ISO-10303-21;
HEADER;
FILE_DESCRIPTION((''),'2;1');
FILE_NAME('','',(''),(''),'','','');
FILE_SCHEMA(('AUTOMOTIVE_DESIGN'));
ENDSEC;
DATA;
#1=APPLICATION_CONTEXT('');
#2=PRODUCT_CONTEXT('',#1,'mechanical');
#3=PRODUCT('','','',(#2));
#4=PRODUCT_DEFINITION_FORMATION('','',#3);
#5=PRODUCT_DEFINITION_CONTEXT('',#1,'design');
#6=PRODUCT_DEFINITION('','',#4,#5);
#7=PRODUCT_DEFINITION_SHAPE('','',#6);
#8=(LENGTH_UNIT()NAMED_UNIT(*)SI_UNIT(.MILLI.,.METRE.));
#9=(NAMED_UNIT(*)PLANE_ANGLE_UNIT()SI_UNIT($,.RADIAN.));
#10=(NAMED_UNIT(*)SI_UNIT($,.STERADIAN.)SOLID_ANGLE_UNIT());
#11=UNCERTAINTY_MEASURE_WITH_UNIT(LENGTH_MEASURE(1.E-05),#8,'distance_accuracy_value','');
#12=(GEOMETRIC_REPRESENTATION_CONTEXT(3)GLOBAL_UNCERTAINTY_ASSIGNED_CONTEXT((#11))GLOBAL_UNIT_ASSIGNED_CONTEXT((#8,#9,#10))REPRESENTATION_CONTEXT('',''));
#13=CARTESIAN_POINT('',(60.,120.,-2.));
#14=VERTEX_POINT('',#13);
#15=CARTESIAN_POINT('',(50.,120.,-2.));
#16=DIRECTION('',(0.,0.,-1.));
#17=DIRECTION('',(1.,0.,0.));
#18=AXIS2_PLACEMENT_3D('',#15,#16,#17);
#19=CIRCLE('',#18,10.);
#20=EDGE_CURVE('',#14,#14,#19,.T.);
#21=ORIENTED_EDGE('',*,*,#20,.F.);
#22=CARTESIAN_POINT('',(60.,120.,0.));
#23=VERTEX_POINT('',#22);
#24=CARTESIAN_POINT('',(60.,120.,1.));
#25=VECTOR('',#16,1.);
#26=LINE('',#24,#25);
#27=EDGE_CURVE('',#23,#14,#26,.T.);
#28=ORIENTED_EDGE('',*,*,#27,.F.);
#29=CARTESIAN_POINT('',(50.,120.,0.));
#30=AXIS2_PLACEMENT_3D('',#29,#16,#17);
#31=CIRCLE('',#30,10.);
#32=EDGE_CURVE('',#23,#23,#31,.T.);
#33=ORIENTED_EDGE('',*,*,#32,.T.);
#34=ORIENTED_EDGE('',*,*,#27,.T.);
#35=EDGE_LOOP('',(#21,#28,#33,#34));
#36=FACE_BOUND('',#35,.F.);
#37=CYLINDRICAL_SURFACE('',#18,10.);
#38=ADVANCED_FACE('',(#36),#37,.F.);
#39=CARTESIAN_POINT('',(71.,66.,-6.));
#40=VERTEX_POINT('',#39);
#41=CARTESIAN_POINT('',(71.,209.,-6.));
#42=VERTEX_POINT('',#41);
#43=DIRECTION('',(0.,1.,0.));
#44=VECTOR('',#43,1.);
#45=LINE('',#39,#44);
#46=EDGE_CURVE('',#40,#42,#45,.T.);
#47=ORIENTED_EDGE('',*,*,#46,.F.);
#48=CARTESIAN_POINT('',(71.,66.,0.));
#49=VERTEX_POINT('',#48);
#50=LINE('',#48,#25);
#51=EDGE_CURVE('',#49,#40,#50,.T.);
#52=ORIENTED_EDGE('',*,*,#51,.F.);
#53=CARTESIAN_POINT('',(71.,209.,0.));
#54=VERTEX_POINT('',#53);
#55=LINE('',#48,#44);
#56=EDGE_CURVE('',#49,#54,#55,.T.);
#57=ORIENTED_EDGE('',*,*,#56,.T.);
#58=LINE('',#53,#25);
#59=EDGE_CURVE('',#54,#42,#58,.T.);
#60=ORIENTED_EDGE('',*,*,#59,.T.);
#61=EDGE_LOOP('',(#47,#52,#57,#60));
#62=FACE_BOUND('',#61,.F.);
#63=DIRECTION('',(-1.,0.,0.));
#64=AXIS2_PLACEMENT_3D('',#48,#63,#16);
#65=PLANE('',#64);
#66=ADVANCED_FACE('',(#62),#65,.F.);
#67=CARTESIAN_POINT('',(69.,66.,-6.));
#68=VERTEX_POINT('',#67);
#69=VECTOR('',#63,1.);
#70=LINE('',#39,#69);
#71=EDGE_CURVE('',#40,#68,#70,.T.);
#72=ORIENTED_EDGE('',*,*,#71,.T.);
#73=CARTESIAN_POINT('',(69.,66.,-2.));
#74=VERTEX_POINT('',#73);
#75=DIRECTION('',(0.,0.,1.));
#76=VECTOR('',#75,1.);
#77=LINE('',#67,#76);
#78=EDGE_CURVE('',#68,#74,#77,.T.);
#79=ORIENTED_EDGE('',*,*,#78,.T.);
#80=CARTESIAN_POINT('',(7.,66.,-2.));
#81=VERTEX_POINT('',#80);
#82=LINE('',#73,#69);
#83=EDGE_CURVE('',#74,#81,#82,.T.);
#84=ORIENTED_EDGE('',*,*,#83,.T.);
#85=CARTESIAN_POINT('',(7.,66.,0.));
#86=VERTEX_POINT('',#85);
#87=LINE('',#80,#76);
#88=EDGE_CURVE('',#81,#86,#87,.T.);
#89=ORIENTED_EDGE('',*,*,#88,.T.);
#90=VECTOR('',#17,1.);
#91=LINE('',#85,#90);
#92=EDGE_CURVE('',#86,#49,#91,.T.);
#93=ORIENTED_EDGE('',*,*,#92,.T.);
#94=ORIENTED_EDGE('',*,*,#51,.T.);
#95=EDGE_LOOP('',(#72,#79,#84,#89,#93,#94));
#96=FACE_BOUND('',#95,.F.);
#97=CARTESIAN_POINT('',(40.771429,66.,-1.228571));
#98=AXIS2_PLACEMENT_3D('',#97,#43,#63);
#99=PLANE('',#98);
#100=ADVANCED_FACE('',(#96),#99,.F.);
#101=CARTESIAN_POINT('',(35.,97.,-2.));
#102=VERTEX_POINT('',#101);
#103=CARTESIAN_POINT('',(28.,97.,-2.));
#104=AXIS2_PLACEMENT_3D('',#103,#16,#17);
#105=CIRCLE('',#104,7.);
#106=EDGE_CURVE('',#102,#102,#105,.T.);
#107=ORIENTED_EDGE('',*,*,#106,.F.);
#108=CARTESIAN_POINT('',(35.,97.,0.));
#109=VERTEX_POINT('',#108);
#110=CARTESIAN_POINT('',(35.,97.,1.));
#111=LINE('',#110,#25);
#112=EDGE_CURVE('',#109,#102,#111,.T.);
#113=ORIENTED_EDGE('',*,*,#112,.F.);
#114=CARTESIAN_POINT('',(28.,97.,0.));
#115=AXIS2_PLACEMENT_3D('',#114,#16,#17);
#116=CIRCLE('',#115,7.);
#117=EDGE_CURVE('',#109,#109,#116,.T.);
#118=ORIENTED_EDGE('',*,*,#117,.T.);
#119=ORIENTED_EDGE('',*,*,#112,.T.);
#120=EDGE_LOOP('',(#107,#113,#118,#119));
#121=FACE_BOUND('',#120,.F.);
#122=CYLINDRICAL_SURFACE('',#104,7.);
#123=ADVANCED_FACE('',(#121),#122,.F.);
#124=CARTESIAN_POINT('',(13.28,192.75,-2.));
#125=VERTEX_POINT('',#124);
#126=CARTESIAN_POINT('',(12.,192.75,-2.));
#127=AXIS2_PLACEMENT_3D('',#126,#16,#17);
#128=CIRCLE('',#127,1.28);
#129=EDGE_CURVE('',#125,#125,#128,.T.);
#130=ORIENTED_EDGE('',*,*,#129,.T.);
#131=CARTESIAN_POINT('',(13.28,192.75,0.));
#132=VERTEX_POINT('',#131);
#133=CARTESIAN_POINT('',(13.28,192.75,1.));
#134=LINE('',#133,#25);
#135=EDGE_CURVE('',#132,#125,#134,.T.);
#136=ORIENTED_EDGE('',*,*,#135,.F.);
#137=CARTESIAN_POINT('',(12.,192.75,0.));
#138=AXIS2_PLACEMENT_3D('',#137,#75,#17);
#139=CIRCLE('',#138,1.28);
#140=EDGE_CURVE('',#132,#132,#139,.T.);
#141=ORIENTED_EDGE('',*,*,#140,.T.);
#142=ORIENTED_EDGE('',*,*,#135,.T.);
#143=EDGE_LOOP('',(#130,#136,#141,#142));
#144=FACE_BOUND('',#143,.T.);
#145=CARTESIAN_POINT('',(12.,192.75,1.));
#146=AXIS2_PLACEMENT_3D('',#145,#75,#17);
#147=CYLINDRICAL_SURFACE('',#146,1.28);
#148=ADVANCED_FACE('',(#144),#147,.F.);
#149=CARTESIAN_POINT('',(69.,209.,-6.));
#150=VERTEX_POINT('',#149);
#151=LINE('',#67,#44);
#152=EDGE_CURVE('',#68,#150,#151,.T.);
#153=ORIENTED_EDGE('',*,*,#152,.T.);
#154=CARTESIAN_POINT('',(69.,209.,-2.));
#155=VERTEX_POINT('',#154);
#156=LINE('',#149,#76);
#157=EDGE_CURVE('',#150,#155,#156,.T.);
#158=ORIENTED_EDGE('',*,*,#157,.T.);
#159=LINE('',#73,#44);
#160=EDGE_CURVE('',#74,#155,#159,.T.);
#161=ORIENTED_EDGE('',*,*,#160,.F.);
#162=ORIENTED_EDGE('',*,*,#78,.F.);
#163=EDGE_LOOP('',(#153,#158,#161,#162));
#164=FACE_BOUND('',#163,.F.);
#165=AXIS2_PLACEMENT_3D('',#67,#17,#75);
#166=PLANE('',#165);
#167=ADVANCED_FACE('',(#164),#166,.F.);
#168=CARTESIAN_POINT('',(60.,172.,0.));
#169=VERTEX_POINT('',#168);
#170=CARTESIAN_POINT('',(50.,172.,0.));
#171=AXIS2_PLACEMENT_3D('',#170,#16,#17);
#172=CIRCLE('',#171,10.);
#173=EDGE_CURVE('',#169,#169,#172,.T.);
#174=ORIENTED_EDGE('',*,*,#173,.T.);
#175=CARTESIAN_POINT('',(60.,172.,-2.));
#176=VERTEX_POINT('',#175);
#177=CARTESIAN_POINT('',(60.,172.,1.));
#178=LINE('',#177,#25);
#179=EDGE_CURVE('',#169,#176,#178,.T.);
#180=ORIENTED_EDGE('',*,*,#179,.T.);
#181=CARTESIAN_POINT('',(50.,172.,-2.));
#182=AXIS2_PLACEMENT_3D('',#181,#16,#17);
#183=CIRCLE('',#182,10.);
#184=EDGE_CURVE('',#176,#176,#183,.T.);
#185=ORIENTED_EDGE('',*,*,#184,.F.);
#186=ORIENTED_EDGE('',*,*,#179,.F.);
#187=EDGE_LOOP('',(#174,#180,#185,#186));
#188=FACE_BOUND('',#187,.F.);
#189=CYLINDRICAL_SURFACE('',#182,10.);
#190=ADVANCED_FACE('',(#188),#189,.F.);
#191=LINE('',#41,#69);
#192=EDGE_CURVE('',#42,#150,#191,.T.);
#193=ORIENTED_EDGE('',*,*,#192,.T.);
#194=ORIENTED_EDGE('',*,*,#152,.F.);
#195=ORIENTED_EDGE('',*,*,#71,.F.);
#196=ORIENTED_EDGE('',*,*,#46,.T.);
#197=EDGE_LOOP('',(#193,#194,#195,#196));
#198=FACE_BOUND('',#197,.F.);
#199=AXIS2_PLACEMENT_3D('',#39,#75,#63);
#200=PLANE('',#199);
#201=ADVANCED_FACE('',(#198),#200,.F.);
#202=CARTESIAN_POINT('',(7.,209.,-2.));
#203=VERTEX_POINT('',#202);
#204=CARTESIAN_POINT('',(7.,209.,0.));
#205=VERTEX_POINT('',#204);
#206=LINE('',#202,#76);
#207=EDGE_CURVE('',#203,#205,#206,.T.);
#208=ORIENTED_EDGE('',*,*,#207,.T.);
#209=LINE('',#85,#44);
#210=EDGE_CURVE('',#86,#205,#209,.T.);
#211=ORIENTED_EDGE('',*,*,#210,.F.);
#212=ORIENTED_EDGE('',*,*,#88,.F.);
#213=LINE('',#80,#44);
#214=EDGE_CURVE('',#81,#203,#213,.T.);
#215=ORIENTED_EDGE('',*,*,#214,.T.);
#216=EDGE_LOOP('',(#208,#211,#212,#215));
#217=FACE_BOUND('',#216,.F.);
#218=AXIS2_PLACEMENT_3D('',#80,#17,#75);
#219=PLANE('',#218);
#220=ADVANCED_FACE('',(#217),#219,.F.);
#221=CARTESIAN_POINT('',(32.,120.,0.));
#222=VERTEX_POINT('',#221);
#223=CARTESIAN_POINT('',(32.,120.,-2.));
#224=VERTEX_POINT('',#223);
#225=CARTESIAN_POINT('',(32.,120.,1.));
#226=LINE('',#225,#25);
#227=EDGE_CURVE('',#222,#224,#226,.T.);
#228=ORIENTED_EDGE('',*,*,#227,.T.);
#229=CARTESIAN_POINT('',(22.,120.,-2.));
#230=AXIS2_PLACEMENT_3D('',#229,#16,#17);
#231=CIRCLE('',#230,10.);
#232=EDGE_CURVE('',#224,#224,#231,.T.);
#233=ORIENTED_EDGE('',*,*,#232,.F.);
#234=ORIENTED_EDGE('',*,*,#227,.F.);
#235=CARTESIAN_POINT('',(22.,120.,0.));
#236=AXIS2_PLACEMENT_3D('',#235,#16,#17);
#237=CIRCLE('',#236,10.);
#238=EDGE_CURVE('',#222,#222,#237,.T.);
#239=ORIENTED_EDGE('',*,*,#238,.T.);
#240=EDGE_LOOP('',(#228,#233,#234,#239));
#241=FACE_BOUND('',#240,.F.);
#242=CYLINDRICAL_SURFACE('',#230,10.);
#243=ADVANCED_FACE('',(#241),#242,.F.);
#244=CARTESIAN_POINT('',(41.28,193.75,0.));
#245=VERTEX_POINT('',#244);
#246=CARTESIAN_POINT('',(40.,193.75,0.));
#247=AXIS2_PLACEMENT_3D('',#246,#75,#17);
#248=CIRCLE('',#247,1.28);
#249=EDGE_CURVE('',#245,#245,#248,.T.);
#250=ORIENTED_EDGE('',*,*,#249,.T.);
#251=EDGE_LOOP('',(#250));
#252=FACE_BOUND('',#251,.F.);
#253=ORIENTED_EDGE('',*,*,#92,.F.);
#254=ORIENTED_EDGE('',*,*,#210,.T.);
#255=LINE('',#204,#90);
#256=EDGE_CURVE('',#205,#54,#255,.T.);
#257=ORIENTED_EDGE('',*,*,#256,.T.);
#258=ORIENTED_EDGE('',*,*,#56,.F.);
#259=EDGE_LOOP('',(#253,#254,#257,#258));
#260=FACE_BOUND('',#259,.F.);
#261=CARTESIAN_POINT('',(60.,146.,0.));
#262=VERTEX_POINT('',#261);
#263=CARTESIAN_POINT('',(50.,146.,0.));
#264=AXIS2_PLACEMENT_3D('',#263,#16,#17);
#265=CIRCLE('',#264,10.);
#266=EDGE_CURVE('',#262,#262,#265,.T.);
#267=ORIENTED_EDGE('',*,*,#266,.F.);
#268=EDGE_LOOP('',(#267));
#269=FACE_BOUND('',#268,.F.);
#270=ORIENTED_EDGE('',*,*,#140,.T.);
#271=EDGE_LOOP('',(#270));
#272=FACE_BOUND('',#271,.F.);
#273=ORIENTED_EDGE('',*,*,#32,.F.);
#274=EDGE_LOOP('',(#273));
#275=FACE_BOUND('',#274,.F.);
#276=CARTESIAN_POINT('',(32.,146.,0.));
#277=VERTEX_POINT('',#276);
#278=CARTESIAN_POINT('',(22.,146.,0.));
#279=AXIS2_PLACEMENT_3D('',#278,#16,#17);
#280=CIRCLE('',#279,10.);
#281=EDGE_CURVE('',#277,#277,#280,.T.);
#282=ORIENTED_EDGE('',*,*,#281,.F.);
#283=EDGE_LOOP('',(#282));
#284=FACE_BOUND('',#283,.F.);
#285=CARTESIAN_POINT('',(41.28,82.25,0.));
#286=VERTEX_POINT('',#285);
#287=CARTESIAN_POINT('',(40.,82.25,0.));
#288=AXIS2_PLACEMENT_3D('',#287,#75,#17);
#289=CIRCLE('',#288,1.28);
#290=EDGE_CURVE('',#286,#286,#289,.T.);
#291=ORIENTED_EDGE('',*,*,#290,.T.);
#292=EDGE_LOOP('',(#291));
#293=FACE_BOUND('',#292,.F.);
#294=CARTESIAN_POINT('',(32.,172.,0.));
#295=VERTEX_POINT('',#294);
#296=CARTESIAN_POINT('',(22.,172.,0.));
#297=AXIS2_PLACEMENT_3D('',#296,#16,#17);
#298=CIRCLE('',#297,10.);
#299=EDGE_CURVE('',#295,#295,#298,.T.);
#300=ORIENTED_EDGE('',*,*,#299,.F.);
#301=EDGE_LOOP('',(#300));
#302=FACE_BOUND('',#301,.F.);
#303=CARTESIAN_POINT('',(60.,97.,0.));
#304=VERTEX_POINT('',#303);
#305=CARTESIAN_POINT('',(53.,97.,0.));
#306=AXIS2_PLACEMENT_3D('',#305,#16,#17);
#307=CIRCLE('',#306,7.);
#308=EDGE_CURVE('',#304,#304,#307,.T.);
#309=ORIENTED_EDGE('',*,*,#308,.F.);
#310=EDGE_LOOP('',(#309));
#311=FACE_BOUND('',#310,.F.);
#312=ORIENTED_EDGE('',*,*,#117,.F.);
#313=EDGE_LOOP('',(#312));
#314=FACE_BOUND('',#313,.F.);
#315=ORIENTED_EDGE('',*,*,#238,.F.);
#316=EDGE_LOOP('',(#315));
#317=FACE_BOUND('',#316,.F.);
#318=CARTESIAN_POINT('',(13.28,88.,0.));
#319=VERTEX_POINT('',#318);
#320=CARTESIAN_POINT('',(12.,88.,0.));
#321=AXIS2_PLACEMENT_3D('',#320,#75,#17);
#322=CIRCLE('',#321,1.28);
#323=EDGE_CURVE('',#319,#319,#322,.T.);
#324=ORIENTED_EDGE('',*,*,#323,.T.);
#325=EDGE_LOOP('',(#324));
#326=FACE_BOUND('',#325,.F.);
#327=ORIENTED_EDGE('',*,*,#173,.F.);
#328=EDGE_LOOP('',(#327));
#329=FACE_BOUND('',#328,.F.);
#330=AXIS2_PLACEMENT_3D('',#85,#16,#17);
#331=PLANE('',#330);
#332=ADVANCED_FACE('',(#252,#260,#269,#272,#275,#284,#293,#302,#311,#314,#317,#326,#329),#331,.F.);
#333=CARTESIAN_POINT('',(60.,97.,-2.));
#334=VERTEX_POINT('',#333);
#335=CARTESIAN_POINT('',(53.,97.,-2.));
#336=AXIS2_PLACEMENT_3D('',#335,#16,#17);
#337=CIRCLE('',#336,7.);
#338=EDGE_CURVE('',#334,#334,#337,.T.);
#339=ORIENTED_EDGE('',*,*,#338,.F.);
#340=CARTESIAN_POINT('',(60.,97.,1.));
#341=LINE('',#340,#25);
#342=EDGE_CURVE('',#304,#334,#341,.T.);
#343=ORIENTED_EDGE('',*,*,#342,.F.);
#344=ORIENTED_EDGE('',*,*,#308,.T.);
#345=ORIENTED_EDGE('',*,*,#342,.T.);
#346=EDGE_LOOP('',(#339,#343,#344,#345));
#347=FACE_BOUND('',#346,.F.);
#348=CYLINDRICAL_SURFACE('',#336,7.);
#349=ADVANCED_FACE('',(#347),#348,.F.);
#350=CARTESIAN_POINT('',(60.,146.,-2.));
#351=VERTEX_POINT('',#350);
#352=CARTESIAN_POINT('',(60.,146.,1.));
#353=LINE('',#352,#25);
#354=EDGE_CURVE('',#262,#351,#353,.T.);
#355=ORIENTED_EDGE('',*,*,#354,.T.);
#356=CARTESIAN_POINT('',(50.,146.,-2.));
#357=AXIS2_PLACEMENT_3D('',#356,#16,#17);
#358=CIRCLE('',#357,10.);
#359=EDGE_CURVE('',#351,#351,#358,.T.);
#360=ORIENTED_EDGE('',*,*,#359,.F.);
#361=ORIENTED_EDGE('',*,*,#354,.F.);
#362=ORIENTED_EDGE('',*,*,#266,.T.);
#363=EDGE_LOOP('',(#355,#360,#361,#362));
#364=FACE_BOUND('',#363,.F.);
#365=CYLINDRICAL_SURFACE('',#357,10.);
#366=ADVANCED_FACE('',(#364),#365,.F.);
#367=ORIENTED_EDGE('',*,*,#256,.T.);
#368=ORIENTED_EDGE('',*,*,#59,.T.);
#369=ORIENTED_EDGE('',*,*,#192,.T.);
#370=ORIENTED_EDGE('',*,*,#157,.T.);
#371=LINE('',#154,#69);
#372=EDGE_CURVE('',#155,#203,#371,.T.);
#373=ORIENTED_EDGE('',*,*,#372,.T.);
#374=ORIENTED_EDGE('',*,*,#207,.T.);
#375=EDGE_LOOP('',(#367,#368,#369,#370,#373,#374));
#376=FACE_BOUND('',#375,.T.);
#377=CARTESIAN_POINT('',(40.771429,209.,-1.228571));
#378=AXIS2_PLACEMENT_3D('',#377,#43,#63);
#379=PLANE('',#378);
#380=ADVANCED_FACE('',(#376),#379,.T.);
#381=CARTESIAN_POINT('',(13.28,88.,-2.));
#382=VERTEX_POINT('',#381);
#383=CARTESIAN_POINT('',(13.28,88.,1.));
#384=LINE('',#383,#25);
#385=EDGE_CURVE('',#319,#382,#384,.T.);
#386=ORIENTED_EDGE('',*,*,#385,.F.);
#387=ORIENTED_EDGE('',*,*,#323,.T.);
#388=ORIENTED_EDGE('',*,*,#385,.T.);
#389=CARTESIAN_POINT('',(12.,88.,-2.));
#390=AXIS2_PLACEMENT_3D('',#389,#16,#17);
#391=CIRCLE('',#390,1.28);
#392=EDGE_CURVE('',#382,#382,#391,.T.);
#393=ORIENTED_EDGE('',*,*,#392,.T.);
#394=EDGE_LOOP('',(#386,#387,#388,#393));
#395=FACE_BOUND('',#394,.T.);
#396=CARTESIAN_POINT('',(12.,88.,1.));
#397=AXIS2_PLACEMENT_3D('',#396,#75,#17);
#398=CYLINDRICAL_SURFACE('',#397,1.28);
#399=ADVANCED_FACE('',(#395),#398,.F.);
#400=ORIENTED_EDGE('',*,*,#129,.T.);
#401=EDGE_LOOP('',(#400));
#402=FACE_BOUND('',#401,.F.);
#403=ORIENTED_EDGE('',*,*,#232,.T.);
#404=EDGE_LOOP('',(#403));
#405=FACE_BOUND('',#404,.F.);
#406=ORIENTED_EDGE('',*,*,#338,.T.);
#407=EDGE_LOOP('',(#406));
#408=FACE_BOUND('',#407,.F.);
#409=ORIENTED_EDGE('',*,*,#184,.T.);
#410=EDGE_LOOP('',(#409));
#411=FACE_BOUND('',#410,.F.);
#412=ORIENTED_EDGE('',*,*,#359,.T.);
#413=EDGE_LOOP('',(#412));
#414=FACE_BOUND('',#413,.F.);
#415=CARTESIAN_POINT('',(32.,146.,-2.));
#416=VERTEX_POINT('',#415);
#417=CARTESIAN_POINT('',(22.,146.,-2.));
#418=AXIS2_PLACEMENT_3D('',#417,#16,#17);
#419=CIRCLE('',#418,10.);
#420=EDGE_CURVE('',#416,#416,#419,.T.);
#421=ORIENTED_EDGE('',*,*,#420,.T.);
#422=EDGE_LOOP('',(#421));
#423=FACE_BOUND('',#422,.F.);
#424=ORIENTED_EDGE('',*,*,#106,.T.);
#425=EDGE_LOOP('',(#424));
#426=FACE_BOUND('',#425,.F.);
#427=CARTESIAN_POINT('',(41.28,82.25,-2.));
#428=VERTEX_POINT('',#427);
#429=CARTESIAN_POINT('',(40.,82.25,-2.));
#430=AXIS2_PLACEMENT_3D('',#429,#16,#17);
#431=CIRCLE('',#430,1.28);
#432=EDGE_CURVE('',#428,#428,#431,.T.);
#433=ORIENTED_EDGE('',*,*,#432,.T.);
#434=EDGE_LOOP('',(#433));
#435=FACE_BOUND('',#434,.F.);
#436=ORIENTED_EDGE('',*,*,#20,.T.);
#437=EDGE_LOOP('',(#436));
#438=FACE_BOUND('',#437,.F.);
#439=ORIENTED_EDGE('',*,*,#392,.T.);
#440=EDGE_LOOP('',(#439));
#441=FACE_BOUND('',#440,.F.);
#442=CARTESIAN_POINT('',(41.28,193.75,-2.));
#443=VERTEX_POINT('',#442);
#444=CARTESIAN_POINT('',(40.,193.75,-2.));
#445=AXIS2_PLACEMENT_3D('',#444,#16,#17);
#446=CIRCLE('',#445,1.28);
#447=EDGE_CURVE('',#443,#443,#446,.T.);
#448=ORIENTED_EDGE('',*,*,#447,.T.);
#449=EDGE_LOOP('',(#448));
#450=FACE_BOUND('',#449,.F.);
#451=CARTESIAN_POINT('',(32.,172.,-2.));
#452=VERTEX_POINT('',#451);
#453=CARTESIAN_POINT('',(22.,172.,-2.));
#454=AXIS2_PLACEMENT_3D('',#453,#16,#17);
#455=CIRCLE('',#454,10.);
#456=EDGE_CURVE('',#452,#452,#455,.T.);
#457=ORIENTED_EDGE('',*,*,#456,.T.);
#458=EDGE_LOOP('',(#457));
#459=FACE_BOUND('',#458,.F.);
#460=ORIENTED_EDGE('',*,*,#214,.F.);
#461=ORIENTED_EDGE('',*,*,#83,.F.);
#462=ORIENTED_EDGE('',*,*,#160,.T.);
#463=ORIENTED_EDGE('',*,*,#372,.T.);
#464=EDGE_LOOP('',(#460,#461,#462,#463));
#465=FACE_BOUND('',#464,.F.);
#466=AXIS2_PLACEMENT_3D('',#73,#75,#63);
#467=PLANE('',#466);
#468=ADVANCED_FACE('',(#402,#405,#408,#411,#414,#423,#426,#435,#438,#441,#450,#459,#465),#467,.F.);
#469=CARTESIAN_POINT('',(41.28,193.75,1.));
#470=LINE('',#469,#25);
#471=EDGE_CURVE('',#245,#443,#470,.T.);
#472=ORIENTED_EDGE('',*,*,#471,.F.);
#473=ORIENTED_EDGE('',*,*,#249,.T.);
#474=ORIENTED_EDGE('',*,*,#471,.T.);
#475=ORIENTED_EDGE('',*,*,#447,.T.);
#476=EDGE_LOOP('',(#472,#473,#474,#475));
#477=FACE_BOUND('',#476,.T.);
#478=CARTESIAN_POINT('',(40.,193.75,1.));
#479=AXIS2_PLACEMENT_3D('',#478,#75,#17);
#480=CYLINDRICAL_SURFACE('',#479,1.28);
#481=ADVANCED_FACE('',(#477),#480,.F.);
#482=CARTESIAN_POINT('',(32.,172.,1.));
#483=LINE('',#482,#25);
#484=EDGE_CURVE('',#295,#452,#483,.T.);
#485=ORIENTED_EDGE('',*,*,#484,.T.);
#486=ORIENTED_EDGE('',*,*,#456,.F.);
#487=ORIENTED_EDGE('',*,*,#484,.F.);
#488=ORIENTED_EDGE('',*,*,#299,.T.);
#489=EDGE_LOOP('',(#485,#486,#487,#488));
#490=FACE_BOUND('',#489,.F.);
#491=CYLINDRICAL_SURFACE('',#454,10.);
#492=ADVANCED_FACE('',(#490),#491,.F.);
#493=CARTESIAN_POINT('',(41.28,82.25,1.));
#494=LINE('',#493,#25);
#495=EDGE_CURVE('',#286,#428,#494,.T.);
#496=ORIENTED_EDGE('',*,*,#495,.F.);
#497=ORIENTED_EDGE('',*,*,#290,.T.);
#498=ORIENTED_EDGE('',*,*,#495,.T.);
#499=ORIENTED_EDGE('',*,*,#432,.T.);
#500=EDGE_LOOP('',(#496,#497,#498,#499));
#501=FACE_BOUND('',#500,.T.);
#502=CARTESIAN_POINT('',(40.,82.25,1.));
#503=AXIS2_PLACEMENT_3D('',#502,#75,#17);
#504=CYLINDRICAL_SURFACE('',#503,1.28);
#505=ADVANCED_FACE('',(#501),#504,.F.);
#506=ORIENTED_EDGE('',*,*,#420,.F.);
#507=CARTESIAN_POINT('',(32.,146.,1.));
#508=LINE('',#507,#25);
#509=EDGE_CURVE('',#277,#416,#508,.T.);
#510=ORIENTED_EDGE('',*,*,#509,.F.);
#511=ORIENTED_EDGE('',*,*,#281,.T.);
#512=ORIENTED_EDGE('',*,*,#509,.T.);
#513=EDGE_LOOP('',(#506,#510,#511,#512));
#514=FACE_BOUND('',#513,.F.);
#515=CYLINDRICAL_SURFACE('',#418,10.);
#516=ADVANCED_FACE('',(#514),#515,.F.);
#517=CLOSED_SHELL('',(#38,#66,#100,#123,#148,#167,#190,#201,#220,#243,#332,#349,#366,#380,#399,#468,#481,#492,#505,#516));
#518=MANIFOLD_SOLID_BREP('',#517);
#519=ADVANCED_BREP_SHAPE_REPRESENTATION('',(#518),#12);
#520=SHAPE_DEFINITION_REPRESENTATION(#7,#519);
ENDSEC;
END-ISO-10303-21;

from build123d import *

# Parameters (mm, degrees)
SKETCH138_R           = 7
SKETCH138_R_2         = 10
EXTRUDE128_DEPTH      = 1
EXTRUDE128_DEPTH_BACK = 3
SKETCH117_R           = 1.28
EXTRUDE107_DEPTH      = 3
EXTRUDE104_DEPTH      = 143


with BuildPart() as extrude128:
    # Sketch138 → Extrude128 (new body, two sides)
    with BuildSketch(Plane(origin=(0, 0, -2), x_dir=(1, 0, 0), z_dir=(0, 0, -1))) as extrude128_sk:
        with Locations((28, -97)):
            Circle(SKETCH138_R)
        with Locations((53, -97)):
            Circle(SKETCH138_R)
        with Locations((22, -146)):
            Circle(SKETCH138_R_2)
        with Locations((50, -146)):
            Circle(SKETCH138_R_2)
        with Locations((22, -172)):
            Circle(SKETCH138_R_2)
        with Locations((50, -172)):
            Circle(SKETCH138_R_2)
        with Locations((22, -120)):
            Circle(SKETCH138_R_2)
        with Locations((50, -120)):
            Circle(SKETCH138_R_2)
    extrude(amount=EXTRUDE128_DEPTH)
    extrude(extrude128_sk.sketch, amount=-EXTRUDE128_DEPTH_BACK)


with BuildPart() as compound022:
    # Sketch117 → Extrude107 (new body)
    with BuildSketch(Plane(origin=(0, 0, 1), x_dir=(1, 0, 0), z_dir=(0, 0, -1))):
        with Locations((12, -88)):
            Circle(SKETCH117_R)
        with Locations((40, -82.25)):
            Circle(SKETCH117_R)
        with Locations((12, -192.75)):
            Circle(SKETCH117_R)
        with Locations((40, -193.75)):
            Circle(SKETCH117_R)
    extrude(amount=EXTRUDE107_DEPTH)

    # Compound022: union Extrude128
    add(extrude128.part)


with BuildPart() as hdmi002:
    # Sketch114 → Extrude104 (new body)
    with BuildSketch(Plane(origin=(0, 66, 0), x_dir=(-1, 0, 0), z_dir=(0, 1, 0))):
        Polygon((-7, -2), (-7, 0), (-71, 0), (-71, -6), (-69, -6), (-69, -2), align=None)
    extrude(amount=EXTRUDE104_DEPTH)

    # Cut013: cut Compound022
    add(compound022.part, mode=Mode.SUBTRACT)


solid = hdmi002.part
